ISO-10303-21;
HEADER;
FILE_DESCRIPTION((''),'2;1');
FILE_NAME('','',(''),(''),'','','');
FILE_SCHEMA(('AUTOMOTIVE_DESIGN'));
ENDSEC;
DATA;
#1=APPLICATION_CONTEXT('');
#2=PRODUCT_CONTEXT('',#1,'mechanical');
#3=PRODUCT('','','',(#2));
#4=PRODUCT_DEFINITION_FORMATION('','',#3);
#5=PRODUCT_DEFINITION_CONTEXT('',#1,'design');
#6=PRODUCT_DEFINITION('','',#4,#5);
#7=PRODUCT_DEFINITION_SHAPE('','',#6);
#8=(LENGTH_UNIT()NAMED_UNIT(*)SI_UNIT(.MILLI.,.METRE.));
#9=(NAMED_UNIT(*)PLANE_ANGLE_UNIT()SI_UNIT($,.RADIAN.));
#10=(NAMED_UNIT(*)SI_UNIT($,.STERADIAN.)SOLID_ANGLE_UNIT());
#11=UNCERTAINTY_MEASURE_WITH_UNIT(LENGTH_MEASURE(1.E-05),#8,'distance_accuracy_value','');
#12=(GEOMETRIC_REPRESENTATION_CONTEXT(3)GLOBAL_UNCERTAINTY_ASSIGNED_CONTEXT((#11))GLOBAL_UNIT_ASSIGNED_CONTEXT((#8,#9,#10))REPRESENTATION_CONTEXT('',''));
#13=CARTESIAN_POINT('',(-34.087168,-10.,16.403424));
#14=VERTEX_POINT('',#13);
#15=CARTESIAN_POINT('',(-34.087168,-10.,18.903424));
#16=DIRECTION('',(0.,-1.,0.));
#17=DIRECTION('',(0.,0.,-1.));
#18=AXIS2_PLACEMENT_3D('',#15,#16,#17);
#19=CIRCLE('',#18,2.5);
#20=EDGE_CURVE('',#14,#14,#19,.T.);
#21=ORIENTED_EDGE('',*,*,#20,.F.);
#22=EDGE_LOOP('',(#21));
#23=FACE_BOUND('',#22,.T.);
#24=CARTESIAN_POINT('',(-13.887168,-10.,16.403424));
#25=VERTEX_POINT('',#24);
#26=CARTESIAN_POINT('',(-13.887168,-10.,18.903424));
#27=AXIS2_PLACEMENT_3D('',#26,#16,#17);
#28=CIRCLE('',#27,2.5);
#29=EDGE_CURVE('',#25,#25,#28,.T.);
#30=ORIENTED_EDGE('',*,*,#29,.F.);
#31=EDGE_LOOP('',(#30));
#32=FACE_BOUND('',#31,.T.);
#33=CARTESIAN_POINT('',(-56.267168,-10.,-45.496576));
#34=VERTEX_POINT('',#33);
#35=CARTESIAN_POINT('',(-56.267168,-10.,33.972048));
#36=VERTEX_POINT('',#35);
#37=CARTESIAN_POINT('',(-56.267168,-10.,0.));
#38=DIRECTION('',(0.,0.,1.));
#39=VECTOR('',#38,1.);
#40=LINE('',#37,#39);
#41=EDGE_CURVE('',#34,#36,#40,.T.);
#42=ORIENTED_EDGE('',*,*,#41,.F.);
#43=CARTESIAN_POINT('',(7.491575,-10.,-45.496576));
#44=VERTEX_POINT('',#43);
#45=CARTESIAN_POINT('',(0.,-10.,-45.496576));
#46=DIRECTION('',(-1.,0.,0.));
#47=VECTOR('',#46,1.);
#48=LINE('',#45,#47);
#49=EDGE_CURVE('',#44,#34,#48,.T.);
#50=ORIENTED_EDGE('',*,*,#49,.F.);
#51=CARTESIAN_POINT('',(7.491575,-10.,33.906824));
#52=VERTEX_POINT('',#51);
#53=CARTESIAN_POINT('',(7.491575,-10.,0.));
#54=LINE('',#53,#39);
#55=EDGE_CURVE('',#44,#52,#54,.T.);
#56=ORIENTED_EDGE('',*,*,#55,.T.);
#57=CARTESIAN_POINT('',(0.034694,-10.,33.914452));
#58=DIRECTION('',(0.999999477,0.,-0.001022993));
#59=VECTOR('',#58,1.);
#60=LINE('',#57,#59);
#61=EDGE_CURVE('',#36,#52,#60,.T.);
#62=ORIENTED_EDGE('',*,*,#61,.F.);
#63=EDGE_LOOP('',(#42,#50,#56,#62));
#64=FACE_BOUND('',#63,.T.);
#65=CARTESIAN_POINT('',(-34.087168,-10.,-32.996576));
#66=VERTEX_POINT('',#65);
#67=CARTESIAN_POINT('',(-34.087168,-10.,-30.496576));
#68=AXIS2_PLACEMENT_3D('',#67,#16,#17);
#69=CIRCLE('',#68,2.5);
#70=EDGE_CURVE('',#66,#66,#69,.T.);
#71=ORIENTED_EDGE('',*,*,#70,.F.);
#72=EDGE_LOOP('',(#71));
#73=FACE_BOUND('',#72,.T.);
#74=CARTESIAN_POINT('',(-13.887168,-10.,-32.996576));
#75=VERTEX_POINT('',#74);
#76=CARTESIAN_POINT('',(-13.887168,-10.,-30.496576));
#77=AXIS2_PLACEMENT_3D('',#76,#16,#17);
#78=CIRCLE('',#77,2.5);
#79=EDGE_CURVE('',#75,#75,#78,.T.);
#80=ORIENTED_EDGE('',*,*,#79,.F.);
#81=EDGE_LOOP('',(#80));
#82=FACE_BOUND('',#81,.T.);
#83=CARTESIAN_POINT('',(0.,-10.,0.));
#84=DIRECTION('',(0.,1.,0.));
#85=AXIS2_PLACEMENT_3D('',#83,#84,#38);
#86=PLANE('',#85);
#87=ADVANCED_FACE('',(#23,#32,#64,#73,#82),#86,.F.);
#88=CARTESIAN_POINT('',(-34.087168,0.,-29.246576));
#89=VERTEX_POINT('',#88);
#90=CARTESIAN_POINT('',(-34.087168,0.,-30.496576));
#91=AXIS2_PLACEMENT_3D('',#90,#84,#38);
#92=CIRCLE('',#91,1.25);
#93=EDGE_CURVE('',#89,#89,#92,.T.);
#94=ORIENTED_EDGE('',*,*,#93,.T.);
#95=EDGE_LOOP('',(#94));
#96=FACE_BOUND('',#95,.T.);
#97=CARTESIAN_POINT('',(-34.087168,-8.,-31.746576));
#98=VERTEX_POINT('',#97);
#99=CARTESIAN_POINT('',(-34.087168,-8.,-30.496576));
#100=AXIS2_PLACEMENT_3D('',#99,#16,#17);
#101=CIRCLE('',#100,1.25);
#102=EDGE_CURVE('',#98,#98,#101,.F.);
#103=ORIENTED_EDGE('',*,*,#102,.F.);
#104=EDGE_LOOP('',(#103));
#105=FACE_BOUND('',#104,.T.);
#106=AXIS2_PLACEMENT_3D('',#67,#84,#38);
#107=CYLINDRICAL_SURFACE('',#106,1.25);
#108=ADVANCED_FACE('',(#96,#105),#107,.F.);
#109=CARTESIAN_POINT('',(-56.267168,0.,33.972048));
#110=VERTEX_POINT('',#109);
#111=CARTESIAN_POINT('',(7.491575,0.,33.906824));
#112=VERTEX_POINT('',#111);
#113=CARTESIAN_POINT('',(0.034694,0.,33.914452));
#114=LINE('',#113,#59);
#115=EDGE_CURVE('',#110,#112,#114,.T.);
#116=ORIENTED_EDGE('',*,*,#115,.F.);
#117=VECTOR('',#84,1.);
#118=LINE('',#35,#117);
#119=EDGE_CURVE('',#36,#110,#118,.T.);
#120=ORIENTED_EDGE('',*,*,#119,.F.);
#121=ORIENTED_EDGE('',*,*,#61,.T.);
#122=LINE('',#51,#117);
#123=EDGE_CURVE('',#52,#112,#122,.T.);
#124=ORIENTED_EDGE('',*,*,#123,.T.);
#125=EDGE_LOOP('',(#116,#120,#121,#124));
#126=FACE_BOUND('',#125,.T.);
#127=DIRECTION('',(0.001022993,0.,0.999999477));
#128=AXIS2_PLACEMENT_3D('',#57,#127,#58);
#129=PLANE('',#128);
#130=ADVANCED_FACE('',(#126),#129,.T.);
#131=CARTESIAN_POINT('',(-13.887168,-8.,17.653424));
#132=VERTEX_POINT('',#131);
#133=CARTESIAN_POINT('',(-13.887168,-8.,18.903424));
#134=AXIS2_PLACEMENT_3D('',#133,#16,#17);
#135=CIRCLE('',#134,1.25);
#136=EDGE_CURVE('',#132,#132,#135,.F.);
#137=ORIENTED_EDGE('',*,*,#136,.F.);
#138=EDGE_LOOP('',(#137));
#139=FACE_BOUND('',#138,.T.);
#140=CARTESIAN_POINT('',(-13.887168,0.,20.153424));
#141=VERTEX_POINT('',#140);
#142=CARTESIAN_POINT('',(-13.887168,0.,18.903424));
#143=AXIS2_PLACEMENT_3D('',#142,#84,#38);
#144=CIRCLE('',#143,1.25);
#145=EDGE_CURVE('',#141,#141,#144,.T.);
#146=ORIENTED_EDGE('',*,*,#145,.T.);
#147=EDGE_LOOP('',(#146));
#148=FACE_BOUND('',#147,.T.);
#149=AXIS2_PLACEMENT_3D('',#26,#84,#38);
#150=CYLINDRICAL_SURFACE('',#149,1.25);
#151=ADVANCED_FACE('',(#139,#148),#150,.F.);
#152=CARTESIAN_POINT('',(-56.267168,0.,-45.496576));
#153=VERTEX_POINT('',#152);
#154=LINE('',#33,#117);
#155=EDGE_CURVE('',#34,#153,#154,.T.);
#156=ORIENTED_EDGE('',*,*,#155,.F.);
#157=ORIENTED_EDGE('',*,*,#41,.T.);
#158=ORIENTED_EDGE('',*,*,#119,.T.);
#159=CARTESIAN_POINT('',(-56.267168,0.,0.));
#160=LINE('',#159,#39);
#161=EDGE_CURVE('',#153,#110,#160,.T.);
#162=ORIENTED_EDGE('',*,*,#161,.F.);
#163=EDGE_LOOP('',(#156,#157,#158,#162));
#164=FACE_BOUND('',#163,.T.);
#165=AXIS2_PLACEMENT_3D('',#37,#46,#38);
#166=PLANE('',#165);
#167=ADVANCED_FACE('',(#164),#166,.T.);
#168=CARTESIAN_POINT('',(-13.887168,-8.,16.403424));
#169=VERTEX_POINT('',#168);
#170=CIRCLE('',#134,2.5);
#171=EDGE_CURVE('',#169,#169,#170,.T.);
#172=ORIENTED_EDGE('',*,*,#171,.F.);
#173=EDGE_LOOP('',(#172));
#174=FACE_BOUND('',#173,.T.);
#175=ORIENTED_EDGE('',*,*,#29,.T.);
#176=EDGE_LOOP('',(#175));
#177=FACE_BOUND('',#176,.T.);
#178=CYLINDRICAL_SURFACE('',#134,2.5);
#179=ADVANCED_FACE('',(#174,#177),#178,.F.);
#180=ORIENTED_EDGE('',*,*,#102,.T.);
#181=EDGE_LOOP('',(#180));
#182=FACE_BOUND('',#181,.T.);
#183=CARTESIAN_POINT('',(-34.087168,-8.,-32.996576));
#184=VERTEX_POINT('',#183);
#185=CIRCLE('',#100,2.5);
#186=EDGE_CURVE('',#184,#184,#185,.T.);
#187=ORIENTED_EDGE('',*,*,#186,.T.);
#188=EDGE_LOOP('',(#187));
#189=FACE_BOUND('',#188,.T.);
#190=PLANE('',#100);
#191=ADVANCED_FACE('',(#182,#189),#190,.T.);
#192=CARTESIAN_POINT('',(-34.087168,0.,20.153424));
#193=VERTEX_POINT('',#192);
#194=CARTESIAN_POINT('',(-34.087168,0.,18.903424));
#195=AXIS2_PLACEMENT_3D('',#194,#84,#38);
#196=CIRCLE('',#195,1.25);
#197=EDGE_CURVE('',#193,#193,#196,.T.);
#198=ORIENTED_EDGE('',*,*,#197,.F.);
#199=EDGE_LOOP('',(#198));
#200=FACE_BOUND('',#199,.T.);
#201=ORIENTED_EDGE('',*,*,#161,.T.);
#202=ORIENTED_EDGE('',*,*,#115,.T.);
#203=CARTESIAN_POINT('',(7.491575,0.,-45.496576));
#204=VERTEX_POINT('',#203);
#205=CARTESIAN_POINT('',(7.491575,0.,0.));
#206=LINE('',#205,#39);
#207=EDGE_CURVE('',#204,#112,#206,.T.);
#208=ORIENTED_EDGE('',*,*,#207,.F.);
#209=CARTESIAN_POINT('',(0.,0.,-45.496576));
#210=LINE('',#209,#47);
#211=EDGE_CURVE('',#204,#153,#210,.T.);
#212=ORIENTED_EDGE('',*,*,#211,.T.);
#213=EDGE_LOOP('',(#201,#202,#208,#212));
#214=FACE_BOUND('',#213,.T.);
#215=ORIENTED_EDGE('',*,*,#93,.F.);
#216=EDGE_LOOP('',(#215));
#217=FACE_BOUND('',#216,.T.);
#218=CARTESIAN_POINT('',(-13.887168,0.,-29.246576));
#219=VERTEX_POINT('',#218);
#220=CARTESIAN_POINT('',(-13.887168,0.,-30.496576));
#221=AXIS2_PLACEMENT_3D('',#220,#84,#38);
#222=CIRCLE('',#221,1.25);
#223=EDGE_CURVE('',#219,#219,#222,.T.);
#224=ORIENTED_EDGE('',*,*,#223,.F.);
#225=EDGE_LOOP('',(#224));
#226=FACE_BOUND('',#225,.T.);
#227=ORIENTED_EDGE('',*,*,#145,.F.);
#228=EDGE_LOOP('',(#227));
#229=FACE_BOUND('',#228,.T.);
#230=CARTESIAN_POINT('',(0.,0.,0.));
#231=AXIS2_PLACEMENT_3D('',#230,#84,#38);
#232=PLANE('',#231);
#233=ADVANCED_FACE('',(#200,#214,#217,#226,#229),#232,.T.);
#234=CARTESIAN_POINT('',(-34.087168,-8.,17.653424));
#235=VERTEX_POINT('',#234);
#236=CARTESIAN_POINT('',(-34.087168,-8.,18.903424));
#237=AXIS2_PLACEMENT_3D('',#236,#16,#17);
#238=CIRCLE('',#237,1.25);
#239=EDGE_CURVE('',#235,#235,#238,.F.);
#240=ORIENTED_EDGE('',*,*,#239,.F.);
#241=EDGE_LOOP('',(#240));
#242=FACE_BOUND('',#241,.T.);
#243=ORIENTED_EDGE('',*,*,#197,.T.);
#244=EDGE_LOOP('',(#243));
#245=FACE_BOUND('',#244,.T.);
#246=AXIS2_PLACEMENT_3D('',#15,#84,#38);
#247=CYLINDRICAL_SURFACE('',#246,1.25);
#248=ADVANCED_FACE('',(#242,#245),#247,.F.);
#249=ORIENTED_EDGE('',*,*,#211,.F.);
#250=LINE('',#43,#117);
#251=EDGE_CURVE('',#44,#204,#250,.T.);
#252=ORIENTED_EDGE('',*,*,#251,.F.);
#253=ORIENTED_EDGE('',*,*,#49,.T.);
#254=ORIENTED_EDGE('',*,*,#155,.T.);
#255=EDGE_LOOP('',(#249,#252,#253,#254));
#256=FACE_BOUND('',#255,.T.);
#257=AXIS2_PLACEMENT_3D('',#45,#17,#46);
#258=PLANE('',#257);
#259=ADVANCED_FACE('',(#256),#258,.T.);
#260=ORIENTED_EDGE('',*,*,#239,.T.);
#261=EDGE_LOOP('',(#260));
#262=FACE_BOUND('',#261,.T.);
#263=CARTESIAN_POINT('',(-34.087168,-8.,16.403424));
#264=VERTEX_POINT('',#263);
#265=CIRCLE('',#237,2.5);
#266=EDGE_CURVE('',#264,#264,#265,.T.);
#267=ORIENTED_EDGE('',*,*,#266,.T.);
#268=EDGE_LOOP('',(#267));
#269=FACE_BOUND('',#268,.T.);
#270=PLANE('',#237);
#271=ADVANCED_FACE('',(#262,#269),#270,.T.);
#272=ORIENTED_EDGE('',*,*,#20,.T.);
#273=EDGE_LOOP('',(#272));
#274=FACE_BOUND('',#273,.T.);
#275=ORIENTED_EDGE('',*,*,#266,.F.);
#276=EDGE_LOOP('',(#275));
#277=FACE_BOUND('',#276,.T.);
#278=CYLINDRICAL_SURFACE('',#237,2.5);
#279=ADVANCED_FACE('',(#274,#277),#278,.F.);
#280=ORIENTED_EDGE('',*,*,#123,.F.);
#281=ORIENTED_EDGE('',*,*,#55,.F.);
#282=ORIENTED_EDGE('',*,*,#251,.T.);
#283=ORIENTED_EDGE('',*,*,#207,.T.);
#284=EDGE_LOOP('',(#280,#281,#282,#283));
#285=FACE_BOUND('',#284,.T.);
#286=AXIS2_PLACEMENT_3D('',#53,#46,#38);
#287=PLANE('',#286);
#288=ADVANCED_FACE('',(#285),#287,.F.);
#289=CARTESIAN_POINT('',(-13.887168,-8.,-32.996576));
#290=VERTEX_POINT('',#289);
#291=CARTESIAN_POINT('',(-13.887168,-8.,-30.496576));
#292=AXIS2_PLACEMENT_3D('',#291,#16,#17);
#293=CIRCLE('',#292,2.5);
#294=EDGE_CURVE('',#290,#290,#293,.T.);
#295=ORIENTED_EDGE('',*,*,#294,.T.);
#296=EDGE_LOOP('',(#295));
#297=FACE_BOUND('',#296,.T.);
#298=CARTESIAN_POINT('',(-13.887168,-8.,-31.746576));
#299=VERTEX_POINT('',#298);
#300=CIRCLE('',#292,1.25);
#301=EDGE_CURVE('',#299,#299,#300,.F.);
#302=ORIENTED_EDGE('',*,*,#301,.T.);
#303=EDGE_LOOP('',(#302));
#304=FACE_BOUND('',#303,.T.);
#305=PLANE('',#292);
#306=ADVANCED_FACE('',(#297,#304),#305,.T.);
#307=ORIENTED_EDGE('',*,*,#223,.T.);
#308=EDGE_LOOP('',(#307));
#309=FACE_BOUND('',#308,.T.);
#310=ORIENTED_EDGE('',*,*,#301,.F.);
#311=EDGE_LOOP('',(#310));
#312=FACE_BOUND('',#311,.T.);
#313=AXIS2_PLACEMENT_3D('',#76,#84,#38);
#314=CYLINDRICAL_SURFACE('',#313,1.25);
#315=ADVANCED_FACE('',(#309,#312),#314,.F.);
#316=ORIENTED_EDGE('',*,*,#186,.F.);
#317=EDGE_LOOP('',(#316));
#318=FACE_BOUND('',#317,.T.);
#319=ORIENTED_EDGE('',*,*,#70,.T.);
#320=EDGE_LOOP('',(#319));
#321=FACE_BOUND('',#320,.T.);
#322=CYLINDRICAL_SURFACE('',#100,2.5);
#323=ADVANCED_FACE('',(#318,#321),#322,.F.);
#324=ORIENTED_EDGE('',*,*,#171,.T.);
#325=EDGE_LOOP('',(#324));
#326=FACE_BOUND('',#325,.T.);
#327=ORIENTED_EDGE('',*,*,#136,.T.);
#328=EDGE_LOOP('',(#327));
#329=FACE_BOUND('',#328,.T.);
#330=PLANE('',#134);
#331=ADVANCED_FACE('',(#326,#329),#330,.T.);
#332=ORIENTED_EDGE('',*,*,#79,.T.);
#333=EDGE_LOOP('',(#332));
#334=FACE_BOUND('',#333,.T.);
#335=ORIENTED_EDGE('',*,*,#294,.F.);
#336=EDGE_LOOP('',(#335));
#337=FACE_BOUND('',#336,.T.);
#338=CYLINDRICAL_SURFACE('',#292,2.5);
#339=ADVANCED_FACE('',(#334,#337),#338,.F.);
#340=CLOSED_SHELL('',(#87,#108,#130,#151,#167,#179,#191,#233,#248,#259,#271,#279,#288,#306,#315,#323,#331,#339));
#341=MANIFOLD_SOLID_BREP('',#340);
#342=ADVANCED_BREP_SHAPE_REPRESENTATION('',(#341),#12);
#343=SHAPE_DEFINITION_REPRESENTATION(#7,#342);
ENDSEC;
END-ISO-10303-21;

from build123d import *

# Parameters (mm, degrees)
SKETCH1_R           = 1.25
BOSS_EXTRUDE2_DEPTH = 10
SKETCH3_R           = 2.5
CUT_EXTRUDE2_DEPTH  = 2


with BuildPart() as part:
    # Sketch1 → Boss-Extrude2 (new body)
    with BuildSketch(Plane(origin=(0, 0, 0), x_dir=(1, 0, 0), z_dir=(0, 1, 0))):
        Polygon((7.491574944, 45.496576397), (-56.267168264, 45.496576397), (-56.267168264, -33.972048376), (7.491574944, -33.906823563), align=None)
        with Locations(Location((-34.087168277, -18.903423613, 0), (0, 0, 270))):
            Circle(SKETCH1_R, mode=Mode.SUBTRACT)
        with Locations(Location((-13.887168277, -18.903423613, 0), (0, 0, 270))):
            Circle(SKETCH1_R, mode=Mode.SUBTRACT)
        with Locations(Location((-34.087168277, 30.496576397, 0), (0, 0, 270))):
            Circle(SKETCH1_R, mode=Mode.SUBTRACT)
        with Locations(Location((-13.887168277, 30.496576397, 0), (0, 0, 270))):
            Circle(SKETCH1_R, mode=Mode.SUBTRACT)
    extrude(amount=-BOSS_EXTRUDE2_DEPTH)

    # Sketch3 → Cut-Extrude2 (cut)
    with BuildSketch(Plane.XZ.offset(10)):
        with Locations(Location((-13.887168277, 18.903423613, 0), (0, 0, 270))):
            Circle(SKETCH3_R)
        with Locations(Location((-34.087168277, 18.903423613, 0), (0, 0, 270))):
            Circle(SKETCH3_R)
        with Locations(Location((-13.887168277, -30.496576397, 0), (0, 0, 270))):
            Circle(SKETCH3_R)
        with Locations(Location((-34.087168277, -30.496576397, 0), (0, 0, 270))):
            Circle(SKETCH3_R)
    extrude(amount=-CUT_EXTRUDE2_DEPTH, mode=Mode.SUBTRACT)


solid = part.part
